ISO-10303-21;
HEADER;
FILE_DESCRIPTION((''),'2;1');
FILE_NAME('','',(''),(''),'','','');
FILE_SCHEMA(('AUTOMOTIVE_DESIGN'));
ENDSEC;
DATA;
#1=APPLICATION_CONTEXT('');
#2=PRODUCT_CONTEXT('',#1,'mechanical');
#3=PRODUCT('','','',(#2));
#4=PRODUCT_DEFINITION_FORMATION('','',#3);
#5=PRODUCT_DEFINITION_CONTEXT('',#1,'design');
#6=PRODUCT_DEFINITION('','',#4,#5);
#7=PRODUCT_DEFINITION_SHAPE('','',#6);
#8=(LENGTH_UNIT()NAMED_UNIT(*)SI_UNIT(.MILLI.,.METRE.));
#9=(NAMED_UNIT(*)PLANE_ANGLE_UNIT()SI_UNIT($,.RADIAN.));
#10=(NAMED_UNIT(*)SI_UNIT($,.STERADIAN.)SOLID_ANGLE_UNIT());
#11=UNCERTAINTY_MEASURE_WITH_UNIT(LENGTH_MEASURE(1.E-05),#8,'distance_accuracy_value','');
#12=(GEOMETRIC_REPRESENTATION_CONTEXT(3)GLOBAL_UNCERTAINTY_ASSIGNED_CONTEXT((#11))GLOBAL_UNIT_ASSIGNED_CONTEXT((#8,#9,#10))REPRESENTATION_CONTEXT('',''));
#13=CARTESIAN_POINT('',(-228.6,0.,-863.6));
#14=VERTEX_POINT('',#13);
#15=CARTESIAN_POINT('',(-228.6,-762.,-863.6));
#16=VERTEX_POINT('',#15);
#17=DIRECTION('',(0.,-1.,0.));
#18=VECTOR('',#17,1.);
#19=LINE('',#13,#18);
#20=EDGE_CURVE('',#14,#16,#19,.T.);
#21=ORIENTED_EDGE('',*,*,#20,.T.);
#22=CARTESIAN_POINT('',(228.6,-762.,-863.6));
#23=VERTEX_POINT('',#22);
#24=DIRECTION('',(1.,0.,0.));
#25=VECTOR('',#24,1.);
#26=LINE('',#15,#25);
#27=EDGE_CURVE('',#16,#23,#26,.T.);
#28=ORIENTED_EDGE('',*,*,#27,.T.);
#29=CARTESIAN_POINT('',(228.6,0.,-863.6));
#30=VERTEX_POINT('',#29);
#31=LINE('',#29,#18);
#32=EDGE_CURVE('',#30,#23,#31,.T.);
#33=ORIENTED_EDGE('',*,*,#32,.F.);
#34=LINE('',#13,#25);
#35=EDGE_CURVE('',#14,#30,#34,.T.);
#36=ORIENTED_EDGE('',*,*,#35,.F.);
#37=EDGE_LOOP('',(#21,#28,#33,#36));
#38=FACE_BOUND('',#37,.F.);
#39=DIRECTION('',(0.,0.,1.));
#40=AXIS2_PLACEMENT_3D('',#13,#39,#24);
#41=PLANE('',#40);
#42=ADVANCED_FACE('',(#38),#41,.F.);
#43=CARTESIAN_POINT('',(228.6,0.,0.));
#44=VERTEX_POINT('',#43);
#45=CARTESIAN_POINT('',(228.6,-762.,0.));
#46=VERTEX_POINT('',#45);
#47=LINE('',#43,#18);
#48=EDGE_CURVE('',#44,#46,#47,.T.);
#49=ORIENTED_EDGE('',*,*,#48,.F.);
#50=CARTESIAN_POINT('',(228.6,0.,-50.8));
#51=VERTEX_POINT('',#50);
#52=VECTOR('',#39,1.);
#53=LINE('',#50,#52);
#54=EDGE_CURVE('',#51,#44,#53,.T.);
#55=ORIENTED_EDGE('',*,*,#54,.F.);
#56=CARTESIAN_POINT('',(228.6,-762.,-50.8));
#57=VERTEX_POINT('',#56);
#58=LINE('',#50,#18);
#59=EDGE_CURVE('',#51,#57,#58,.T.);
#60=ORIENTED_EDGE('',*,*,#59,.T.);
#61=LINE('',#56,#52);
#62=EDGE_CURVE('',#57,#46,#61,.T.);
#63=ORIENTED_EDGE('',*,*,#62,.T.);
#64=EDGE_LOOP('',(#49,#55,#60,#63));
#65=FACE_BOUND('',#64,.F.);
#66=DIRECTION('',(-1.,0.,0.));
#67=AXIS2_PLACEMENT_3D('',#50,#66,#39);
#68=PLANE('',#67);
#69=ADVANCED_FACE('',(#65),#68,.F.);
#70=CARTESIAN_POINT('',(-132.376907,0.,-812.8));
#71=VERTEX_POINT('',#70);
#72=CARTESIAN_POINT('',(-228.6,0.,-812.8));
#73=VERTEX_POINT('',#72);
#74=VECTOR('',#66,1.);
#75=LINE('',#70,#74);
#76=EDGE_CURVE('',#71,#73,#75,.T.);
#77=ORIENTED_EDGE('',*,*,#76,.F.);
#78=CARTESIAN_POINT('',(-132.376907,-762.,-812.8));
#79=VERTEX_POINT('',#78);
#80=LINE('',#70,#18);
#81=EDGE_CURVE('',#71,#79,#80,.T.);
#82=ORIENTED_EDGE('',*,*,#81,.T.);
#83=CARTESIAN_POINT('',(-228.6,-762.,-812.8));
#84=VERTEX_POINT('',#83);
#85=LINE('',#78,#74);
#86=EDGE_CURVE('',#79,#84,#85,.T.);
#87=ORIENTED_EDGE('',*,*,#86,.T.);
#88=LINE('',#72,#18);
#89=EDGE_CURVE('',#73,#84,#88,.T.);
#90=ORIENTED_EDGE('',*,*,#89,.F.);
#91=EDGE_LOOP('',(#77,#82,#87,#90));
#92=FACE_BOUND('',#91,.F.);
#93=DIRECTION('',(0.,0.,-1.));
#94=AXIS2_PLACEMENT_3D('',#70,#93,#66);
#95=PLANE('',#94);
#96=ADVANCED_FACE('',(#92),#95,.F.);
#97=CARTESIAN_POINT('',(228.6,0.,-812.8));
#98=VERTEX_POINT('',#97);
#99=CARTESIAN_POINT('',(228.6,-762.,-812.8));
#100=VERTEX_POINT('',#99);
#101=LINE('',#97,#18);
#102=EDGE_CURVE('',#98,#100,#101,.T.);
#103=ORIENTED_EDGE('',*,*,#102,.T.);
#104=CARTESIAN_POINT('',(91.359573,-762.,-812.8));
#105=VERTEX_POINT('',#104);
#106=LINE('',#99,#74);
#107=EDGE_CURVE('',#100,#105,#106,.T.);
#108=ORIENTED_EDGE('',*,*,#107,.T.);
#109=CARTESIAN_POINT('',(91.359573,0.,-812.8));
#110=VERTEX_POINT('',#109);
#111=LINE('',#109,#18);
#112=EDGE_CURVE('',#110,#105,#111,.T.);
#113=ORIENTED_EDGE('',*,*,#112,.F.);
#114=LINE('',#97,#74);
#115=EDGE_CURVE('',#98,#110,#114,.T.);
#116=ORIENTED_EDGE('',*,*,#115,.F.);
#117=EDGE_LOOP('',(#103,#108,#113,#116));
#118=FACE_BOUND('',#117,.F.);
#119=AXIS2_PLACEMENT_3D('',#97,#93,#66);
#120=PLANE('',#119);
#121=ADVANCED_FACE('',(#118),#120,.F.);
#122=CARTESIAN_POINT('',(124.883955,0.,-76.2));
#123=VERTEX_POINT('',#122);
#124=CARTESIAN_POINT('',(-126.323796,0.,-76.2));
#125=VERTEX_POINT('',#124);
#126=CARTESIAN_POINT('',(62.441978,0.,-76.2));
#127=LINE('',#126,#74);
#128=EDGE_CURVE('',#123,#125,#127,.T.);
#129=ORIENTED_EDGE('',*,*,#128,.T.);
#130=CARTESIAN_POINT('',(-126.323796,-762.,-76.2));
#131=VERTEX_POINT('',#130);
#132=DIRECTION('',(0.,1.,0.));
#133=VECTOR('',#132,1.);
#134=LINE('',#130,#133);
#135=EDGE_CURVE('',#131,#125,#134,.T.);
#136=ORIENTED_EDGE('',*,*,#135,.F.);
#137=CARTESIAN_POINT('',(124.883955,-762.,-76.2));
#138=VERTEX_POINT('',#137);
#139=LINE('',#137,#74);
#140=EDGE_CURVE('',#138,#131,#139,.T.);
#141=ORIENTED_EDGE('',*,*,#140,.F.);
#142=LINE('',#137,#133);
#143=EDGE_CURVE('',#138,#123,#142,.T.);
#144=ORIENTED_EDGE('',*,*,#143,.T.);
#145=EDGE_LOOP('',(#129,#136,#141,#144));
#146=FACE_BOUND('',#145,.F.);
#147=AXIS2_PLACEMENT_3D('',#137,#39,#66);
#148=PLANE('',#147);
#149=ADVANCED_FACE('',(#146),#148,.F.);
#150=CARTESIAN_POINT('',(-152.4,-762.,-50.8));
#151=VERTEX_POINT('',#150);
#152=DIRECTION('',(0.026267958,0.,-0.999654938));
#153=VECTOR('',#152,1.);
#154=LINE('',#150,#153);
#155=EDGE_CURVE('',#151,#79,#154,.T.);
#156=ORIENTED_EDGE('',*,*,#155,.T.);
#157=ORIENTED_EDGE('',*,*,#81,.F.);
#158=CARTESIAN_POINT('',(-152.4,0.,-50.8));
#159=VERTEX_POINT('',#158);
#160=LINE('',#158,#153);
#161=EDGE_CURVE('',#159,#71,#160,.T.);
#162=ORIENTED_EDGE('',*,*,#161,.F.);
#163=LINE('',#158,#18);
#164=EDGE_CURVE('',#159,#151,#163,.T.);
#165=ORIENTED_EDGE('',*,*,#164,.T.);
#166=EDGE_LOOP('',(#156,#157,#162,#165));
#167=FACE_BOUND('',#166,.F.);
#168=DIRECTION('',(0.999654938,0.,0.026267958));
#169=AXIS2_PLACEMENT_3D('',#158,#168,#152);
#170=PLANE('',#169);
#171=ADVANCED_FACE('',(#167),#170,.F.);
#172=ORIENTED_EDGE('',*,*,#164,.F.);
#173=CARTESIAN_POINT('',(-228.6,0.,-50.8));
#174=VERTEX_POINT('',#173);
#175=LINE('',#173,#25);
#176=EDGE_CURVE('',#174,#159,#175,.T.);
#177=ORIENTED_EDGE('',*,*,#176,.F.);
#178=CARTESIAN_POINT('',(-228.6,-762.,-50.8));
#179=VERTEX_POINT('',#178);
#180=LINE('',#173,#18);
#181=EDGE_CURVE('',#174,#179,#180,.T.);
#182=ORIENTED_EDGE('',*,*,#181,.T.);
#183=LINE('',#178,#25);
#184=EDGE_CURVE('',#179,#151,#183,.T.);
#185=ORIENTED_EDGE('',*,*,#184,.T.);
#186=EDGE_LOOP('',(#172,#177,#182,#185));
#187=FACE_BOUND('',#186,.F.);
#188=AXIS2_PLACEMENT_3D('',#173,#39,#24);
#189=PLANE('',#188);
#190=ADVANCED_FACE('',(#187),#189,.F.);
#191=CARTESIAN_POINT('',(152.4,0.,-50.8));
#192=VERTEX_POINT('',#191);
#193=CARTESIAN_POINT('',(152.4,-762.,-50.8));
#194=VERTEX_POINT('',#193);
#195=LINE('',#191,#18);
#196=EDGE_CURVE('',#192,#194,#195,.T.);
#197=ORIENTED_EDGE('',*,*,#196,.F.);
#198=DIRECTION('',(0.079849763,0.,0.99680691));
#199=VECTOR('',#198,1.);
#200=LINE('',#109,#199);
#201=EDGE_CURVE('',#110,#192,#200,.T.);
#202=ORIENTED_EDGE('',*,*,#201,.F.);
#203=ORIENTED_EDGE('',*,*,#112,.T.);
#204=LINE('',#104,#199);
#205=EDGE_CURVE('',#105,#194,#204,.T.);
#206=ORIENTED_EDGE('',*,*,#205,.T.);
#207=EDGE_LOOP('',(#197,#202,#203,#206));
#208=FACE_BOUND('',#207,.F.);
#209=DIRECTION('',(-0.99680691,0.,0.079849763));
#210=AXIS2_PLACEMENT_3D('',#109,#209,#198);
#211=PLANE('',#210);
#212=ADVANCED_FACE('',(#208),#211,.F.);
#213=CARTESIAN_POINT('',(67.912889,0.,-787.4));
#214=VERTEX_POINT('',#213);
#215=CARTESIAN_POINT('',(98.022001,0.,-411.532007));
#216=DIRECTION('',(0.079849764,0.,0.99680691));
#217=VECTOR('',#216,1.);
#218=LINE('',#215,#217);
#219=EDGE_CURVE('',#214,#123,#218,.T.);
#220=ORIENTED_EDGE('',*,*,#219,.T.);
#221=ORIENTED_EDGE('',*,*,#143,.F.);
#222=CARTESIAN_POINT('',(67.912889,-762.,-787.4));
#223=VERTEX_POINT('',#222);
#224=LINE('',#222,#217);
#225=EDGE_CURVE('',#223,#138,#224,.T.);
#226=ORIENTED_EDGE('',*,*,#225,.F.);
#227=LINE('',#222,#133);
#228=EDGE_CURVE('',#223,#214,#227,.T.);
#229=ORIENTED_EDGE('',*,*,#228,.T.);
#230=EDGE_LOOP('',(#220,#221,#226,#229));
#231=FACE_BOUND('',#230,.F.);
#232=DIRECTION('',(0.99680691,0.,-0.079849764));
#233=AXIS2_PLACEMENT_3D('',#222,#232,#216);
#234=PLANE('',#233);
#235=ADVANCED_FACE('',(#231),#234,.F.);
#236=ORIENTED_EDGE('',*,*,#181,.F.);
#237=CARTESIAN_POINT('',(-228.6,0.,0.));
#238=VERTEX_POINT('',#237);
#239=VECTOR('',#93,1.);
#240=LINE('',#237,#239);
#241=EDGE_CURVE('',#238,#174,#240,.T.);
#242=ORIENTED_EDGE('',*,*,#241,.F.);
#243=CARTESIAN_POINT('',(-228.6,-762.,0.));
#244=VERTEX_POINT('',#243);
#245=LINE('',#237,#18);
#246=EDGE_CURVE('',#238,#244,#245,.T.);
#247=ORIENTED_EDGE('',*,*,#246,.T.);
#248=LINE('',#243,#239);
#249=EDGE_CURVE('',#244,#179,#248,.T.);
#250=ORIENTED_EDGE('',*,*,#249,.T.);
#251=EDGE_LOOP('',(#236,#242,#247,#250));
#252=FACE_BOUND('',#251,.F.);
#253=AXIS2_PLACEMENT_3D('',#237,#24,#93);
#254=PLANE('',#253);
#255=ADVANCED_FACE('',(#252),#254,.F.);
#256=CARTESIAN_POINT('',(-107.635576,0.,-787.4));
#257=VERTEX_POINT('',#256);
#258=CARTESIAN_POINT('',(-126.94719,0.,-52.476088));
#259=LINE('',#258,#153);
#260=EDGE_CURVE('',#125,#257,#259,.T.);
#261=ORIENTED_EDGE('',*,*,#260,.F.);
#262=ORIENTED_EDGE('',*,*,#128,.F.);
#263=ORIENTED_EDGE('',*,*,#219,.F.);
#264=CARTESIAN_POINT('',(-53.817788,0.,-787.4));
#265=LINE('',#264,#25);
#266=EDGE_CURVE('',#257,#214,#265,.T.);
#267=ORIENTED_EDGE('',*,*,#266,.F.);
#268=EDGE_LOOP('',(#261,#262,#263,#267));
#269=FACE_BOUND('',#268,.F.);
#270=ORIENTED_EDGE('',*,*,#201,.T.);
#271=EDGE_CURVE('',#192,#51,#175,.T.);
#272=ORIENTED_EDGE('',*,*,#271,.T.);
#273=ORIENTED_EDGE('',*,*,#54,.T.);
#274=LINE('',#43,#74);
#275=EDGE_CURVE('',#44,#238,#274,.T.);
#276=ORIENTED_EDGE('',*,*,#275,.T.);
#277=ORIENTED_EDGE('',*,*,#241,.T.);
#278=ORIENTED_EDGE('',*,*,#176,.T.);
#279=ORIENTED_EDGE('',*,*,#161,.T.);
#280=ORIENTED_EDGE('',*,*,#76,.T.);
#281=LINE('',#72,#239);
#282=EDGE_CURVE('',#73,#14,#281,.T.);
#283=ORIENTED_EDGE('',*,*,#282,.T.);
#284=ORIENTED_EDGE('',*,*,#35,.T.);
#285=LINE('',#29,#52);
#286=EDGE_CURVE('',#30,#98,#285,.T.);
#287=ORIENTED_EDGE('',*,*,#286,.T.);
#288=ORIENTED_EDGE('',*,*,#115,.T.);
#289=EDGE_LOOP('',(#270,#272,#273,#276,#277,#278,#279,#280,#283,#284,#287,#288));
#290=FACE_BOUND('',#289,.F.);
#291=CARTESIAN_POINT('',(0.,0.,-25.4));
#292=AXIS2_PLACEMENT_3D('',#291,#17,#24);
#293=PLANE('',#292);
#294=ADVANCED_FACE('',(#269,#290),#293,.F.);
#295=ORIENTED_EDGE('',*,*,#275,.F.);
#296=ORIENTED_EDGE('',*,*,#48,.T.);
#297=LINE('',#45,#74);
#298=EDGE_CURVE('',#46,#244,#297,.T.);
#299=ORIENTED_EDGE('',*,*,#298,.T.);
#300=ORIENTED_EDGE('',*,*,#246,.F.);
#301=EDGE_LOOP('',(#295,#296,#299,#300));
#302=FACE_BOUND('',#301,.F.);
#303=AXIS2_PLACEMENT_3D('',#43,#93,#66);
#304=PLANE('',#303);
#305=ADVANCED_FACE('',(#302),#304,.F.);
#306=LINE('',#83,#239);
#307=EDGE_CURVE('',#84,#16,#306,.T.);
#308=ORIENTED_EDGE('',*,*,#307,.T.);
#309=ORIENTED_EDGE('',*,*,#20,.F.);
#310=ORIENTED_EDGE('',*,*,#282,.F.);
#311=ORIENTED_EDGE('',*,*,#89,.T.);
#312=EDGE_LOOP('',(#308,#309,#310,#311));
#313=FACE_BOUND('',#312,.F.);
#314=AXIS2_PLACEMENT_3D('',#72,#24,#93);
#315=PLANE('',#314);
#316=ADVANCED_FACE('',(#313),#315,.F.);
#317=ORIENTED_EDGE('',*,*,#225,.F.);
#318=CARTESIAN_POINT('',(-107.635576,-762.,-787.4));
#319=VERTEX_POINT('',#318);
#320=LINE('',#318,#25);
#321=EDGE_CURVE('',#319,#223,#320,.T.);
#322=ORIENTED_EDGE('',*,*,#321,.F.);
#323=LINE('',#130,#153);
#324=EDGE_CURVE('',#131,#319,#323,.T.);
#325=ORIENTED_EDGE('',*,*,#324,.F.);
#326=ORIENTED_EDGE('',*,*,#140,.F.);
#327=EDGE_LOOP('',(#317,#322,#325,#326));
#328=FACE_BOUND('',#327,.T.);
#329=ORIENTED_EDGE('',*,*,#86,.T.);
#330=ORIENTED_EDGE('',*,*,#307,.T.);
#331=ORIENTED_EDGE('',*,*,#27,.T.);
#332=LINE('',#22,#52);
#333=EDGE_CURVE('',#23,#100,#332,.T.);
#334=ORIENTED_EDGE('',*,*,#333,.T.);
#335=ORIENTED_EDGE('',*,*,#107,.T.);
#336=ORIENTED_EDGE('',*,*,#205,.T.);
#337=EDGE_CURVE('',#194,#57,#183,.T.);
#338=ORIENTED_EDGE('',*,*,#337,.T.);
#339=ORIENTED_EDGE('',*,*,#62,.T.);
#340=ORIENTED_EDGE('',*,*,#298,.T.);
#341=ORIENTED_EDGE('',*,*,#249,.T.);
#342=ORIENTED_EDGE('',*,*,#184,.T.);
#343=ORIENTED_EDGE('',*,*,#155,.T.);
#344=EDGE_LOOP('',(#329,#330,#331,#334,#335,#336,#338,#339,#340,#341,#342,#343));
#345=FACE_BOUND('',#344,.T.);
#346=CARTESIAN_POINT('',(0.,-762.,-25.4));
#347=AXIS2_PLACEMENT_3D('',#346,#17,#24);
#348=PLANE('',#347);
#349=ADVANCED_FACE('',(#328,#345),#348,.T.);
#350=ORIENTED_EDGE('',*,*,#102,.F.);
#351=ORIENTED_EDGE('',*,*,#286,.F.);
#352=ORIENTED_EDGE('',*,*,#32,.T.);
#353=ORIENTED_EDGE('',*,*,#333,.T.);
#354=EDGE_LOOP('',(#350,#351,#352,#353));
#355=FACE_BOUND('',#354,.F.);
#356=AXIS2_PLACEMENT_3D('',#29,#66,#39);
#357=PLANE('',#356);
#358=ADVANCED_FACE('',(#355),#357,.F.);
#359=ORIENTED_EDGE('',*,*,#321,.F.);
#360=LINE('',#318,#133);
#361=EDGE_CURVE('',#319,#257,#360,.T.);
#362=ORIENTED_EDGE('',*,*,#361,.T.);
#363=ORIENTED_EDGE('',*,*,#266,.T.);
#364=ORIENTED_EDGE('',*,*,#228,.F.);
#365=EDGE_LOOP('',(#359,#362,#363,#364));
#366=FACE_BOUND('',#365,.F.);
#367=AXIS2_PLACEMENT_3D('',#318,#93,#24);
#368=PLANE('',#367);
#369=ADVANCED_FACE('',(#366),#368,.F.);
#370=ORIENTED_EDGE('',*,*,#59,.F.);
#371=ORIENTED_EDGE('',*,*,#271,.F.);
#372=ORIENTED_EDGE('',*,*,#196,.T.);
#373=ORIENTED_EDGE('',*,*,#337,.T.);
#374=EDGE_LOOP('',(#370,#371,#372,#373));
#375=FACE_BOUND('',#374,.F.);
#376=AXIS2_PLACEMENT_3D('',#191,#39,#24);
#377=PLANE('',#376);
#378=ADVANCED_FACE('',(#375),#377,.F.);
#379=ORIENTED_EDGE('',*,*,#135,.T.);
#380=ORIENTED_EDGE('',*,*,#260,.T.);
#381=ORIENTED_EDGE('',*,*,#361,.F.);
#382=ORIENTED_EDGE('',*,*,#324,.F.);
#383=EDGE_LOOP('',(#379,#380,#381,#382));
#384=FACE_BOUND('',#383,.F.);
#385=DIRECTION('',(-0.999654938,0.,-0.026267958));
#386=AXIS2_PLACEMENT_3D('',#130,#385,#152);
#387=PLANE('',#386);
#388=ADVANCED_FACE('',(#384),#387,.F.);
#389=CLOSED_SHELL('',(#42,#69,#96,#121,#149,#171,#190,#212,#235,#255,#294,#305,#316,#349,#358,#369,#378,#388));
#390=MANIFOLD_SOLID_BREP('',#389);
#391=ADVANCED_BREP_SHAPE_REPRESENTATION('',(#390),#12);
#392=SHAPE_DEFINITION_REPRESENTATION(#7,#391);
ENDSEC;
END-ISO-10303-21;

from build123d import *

# Parameters (mm, degrees)
F1_DEPTH = 762
F3_DEPTH = 762.001


with BuildPart() as f1:
    # F0 (on Front) → F1 (new body)
    with BuildSketch(Plane.XZ):
        Polygon((228.6, 0), (-228.6, 0), (-228.6, -50.8), (-152.4, -50.8), (152.4, -50.8), (228.6, -50.8), align=None)
        Polygon((152.4, -50.8), (-152.4, -50.8), (-132.376907, -812.8), (91.359573, -812.8), align=None)
        Polygon((91.359573, -812.8), (-132.376907, -812.8), (-228.6, -812.8), (-228.6, -863.6), (228.6, -863.6), (228.6, -812.8), align=None)
    extrude(amount=F1_DEPTH)

    # F2 (on face) → F3 (cut, through all)
    with BuildSketch(Plane.XZ.offset(762)):
        Polygon((124.883955, -76.2), (-126.323796, -76.2), (-107.635576, -787.4), (67.912889, -787.4), align=None)
    extrude(amount=-F3_DEPTH, mode=Mode.SUBTRACT)


solid = f1.part
